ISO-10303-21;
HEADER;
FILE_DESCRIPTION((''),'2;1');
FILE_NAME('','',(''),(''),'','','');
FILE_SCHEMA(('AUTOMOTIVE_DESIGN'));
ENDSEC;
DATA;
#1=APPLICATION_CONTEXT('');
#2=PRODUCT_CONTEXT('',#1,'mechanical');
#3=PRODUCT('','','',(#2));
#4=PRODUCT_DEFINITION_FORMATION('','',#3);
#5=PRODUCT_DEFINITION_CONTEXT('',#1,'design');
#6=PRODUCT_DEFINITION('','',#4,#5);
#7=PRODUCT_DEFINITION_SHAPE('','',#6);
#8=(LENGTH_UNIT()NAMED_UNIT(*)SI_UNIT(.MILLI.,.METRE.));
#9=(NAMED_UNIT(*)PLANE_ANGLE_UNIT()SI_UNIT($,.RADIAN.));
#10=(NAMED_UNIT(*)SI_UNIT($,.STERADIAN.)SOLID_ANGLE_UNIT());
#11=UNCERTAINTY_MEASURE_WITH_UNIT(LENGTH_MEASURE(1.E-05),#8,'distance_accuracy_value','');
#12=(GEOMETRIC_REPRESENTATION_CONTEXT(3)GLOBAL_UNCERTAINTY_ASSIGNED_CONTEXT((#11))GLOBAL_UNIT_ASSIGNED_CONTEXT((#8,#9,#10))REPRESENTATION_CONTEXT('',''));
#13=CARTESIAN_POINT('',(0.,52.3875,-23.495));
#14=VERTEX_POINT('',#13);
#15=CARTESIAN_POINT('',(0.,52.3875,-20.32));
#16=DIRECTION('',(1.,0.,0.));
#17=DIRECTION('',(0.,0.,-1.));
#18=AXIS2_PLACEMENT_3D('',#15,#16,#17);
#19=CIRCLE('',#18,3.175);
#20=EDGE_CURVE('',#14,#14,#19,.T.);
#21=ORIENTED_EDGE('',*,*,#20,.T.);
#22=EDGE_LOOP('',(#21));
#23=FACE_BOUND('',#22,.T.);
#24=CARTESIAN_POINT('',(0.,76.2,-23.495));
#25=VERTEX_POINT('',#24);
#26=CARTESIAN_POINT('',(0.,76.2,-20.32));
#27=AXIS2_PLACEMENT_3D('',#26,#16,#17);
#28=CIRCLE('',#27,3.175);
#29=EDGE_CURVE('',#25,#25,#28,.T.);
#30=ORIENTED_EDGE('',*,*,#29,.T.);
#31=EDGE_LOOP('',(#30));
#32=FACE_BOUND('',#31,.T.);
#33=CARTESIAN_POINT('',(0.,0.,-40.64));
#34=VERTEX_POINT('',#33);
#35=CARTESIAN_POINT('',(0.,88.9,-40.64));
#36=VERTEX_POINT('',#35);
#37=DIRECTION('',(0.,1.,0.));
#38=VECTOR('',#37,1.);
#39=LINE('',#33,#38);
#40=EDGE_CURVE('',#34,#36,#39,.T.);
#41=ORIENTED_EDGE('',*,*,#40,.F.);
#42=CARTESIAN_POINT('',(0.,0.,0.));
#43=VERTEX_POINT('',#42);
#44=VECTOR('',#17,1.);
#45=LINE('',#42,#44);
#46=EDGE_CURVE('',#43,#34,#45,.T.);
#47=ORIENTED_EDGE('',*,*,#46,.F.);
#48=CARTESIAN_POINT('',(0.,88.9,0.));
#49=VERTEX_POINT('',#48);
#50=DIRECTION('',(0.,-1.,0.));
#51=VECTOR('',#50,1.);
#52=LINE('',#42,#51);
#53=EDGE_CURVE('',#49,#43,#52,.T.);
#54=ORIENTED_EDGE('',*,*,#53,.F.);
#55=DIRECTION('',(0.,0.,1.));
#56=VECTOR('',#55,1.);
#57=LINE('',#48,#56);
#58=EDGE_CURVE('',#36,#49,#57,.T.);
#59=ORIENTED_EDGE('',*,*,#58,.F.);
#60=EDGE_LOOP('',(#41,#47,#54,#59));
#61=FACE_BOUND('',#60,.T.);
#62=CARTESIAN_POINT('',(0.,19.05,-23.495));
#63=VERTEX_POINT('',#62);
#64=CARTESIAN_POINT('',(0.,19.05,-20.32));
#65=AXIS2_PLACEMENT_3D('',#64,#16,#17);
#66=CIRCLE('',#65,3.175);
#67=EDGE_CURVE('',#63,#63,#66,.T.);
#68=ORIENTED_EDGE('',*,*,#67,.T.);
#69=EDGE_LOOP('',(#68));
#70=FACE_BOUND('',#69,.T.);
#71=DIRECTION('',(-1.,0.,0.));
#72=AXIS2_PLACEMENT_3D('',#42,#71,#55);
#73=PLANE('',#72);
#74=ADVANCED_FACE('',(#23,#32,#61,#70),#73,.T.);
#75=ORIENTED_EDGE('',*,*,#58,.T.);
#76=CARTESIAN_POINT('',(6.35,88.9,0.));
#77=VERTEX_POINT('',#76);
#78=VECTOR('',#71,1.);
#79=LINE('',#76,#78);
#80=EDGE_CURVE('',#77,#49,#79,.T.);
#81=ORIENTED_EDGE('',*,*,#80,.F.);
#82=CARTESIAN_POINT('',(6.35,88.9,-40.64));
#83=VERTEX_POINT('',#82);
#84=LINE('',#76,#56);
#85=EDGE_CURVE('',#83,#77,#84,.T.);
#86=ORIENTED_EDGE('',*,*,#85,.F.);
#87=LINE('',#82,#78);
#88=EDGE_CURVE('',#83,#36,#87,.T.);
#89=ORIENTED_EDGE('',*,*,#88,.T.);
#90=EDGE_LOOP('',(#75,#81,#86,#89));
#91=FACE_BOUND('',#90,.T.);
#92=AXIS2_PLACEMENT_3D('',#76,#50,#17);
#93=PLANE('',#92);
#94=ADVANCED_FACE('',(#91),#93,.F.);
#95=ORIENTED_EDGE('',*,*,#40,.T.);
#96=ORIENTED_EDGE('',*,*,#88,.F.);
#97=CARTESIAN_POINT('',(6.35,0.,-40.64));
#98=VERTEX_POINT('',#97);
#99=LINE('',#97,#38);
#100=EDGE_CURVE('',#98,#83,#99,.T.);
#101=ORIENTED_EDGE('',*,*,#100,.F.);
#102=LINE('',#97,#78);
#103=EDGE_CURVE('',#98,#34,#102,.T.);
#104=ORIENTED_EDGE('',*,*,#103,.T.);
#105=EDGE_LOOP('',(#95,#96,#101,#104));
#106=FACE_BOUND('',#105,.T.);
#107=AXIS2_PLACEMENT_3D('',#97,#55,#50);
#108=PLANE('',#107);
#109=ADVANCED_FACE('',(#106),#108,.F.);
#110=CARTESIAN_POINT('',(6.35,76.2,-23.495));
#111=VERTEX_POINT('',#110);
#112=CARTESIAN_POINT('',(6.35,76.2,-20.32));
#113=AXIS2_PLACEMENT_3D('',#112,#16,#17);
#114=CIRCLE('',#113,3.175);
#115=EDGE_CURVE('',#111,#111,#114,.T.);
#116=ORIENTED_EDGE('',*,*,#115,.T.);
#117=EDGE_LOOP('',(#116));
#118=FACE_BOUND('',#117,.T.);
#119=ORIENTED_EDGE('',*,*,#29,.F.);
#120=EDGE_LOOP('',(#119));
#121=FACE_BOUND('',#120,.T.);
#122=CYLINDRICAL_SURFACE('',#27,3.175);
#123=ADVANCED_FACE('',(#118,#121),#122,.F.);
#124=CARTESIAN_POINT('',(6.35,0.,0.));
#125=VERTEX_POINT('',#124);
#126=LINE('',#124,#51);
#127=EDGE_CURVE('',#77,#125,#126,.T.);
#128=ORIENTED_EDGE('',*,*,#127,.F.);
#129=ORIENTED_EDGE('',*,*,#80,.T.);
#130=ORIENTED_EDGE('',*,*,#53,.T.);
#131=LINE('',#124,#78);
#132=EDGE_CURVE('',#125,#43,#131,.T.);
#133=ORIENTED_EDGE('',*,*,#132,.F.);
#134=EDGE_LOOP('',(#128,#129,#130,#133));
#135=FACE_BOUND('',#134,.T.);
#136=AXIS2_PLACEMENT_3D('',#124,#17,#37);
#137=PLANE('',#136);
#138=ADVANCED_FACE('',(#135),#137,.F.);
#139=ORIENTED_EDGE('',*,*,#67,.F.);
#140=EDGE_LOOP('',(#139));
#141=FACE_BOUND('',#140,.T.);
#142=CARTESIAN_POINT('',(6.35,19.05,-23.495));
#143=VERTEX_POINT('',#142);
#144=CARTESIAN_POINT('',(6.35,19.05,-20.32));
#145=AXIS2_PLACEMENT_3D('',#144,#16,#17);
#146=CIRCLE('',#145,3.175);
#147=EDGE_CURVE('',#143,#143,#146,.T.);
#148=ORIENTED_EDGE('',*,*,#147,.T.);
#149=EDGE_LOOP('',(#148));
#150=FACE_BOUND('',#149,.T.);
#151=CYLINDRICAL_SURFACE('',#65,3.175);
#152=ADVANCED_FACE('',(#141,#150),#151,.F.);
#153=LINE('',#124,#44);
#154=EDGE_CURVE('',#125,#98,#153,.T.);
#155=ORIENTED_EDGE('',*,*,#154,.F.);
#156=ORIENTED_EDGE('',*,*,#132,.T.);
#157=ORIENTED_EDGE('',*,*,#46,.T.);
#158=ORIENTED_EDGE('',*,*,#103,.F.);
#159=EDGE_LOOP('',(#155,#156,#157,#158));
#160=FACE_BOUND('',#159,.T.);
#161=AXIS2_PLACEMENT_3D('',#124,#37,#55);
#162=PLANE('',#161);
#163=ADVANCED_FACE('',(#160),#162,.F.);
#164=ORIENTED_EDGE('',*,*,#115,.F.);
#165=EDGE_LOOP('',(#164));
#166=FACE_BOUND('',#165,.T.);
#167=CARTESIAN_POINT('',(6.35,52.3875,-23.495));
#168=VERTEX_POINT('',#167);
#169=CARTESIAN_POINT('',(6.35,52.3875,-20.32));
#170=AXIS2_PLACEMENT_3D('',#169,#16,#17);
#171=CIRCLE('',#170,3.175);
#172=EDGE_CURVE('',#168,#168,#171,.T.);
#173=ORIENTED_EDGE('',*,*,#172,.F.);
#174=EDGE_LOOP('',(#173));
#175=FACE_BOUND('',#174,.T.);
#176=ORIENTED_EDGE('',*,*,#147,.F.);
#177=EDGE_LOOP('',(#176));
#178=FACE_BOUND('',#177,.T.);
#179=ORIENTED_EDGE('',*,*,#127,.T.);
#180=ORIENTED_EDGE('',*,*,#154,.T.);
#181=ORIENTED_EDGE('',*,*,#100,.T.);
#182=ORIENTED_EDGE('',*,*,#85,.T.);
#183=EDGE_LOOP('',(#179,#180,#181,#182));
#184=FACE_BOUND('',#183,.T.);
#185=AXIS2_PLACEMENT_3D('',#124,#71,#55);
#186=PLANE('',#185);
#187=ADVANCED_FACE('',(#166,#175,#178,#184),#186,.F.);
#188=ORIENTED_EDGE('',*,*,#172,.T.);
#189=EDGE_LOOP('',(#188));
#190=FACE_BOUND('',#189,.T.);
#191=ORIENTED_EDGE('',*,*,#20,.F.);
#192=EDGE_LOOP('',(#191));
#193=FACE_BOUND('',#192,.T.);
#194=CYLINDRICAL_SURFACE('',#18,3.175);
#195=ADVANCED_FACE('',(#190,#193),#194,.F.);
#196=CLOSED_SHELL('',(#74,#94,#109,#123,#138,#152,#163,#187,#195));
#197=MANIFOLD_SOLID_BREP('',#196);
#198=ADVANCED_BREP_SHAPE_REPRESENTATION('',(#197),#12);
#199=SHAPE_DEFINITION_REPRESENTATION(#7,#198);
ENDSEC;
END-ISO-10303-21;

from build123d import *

# Parameters (mm, degrees)
SKETCH1_W           = 40.64
SKETCH1_H           = 88.9
BOSS_EXTRUDE1_DEPTH = 6.35
SKETCH3_R           = 3.175
CUT_EXTRUDE1_DEPTH  = 6.35


with BuildPart() as part:
    # Sketch1 → Boss-Extrude1 (new body)
    with BuildSketch(Plane(origin=(0, 0, 0), x_dir=(0, 0, -1), z_dir=(1, 0, 0))):
        with Locations((20.32, 44.45)):
            Rectangle(SKETCH1_W, SKETCH1_H)
    extrude(amount=BOSS_EXTRUDE1_DEPTH)

    # Sketch3 → Cut-Extrude1 (cut)
    with BuildSketch(Plane(origin=(6.35, 0, 0), x_dir=(0, 0, -1), z_dir=(1, 0, 0))):
        with Locations((20.32, 19.05)):
            Circle(SKETCH3_R)
        with Locations((20.32, 52.3875)):
            Circle(SKETCH3_R)
        with Locations((20.32, 76.2)):
            Circle(SKETCH3_R)
    extrude(amount=-CUT_EXTRUDE1_DEPTH, mode=Mode.SUBTRACT)


solid = part.part
